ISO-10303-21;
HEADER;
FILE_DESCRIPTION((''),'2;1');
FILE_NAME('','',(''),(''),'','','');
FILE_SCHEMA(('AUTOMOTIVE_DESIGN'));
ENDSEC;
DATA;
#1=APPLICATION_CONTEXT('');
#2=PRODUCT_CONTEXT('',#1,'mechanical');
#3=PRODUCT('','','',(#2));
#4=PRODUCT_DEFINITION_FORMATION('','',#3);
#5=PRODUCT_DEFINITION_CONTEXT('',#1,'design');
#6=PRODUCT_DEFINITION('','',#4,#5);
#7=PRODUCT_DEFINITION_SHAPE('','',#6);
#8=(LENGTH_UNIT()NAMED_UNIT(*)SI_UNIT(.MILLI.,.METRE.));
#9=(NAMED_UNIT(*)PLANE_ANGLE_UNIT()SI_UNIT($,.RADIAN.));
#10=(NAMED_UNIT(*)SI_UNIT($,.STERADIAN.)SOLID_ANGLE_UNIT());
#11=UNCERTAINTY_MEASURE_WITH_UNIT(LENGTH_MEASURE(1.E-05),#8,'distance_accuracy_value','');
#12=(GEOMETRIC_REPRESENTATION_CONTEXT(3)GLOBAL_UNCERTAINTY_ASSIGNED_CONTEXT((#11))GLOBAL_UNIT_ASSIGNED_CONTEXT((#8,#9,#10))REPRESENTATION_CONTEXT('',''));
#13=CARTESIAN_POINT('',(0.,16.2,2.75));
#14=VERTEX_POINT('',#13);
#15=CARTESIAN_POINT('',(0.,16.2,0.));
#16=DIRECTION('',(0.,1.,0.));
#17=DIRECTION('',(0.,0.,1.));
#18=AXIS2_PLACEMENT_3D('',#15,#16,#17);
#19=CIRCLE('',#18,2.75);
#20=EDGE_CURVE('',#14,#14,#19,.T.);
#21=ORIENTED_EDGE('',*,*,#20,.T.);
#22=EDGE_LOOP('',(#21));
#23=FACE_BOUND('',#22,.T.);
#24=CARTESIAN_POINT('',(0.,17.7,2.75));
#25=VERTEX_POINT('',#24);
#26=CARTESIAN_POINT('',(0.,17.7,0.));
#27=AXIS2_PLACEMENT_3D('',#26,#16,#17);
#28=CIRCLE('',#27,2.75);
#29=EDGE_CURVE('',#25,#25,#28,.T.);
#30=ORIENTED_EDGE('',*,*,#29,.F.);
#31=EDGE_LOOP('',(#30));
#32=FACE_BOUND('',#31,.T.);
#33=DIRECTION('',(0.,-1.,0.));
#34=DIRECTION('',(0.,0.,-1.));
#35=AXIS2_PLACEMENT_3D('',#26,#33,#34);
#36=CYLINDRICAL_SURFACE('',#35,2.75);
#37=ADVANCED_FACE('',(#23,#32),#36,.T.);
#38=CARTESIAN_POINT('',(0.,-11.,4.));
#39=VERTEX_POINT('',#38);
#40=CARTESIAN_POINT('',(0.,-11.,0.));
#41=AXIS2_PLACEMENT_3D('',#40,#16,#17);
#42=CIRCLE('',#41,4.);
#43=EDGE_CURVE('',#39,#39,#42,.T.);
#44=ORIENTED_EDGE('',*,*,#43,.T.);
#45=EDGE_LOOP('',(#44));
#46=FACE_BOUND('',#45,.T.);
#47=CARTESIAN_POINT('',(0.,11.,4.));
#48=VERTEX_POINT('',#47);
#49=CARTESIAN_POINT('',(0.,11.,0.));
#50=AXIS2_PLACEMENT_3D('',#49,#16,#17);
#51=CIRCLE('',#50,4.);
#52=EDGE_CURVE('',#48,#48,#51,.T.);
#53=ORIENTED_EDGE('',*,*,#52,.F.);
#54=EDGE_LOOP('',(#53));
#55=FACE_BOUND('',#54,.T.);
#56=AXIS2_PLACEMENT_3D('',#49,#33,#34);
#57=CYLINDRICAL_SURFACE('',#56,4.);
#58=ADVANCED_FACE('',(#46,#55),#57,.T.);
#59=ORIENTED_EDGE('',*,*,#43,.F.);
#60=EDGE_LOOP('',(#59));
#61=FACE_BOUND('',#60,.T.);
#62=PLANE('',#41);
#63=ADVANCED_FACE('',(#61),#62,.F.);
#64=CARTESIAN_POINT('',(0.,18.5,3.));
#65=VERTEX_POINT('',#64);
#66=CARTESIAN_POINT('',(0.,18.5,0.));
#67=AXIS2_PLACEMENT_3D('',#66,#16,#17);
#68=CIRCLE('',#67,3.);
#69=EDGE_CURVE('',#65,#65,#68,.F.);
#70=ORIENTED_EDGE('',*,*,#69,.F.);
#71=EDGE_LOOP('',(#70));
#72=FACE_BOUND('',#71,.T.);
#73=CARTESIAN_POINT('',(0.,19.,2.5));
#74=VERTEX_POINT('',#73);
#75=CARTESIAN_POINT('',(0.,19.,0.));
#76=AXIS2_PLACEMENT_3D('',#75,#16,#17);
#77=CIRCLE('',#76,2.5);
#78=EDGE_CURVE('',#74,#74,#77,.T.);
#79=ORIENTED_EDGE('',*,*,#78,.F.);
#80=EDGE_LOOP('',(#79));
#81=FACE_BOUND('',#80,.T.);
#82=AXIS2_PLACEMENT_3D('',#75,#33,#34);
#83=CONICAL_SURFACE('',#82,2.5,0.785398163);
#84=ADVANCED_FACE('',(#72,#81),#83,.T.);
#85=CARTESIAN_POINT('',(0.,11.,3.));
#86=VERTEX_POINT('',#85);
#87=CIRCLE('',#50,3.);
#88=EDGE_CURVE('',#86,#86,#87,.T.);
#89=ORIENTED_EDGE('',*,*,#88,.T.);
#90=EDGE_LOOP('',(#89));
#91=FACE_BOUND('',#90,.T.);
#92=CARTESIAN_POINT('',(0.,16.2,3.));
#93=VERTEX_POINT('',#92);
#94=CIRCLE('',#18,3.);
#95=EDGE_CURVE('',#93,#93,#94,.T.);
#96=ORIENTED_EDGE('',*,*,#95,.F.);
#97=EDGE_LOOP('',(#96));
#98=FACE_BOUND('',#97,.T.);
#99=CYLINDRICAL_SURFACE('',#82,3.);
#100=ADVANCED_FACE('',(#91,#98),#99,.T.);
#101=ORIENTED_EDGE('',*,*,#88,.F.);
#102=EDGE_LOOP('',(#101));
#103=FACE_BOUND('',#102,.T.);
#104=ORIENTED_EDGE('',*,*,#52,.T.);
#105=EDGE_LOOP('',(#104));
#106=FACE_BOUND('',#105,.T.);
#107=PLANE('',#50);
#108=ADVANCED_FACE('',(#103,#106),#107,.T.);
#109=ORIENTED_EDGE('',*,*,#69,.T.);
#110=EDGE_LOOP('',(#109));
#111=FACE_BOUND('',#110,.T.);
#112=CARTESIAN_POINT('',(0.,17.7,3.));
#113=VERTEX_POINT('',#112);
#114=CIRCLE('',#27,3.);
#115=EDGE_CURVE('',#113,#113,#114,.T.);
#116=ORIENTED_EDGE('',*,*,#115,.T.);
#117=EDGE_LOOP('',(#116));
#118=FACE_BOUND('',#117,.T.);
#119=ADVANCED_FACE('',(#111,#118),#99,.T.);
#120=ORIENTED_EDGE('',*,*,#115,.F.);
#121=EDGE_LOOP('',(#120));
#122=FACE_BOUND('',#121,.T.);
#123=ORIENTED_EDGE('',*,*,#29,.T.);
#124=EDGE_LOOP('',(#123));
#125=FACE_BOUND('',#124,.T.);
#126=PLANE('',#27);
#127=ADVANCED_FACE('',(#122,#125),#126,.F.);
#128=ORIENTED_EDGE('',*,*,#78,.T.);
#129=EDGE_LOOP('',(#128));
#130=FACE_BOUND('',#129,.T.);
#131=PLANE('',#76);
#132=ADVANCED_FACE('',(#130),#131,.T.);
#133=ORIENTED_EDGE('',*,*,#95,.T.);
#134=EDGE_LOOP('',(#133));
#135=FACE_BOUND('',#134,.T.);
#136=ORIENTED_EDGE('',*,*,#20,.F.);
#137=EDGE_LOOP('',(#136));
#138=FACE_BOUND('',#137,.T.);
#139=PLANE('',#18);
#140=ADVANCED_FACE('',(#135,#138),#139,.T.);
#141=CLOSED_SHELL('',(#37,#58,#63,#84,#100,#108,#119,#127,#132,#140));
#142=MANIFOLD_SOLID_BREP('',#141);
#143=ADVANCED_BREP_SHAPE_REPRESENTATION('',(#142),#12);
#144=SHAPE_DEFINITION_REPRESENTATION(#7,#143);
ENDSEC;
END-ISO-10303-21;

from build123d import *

# Parameters (mm, degrees)
SKETCH_1_R          = 4
EXTRUDE_1_DEPTH     = 11
SKETCH_2_R          = 3
EXTRUDE_2_DEPTH     = 8
CUT_EXTRUDE_START   = 5.2
SKETCH_3_OUTSIDE_W  = 16.412
SKETCH_3_OUTSIDE_H  = 16.412
SKETCH_3_OUTSIDE_R  = 2.75
CUT_EXTRUDE_1_DEPTH = 1.5
CHAMFER_1_SIZE      = 0.5


with BuildPart() as part:
    # 草图1 → 凸台-拉伸1 (new, symmetric)
    with BuildSketch(Plane(origin=(0, 0, 0), x_dir=(1, 0, 0), z_dir=(0, 1, 0))):
        with Locations(Location((0, 0, 0), (0, 0, 270))):
            Circle(SKETCH_1_R)
    extrude(amount=EXTRUDE_1_DEPTH, both=True)

    # 草图2 → 凸台-拉伸2 (add)
    with BuildSketch(Plane(origin=(0, 11, 0), x_dir=(1, 0, 0), z_dir=(0, 1, 0))):
        with Locations(Location((0, 0, 0), (0, 0, 270))):
            Circle(SKETCH_2_R)
    extrude(amount=EXTRUDE_2_DEPTH)

    # 草图3 outside → 切除-拉伸1 (cut)
    with BuildSketch(Plane(origin=(0, 11, 0), x_dir=(1, 0, 0), z_dir=(0, 1, 0)).offset(CUT_EXTRUDE_START)):
        Rectangle(SKETCH_3_OUTSIDE_W, SKETCH_3_OUTSIDE_H)
        with Locations(Location((0, 0, 0), (0, 0, 270))):
            Circle(SKETCH_3_OUTSIDE_R, mode=Mode.SUBTRACT)
    extrude(amount=CUT_EXTRUDE_1_DEPTH, mode=Mode.SUBTRACT)

    # 倒角1
    chamfer_1_edges = [part.edges().sort_by_distance(p)[0] for p in [
        (0, 19, -3),
    ]]
    chamfer(chamfer_1_edges, length=CHAMFER_1_SIZE)


solid = part.part
